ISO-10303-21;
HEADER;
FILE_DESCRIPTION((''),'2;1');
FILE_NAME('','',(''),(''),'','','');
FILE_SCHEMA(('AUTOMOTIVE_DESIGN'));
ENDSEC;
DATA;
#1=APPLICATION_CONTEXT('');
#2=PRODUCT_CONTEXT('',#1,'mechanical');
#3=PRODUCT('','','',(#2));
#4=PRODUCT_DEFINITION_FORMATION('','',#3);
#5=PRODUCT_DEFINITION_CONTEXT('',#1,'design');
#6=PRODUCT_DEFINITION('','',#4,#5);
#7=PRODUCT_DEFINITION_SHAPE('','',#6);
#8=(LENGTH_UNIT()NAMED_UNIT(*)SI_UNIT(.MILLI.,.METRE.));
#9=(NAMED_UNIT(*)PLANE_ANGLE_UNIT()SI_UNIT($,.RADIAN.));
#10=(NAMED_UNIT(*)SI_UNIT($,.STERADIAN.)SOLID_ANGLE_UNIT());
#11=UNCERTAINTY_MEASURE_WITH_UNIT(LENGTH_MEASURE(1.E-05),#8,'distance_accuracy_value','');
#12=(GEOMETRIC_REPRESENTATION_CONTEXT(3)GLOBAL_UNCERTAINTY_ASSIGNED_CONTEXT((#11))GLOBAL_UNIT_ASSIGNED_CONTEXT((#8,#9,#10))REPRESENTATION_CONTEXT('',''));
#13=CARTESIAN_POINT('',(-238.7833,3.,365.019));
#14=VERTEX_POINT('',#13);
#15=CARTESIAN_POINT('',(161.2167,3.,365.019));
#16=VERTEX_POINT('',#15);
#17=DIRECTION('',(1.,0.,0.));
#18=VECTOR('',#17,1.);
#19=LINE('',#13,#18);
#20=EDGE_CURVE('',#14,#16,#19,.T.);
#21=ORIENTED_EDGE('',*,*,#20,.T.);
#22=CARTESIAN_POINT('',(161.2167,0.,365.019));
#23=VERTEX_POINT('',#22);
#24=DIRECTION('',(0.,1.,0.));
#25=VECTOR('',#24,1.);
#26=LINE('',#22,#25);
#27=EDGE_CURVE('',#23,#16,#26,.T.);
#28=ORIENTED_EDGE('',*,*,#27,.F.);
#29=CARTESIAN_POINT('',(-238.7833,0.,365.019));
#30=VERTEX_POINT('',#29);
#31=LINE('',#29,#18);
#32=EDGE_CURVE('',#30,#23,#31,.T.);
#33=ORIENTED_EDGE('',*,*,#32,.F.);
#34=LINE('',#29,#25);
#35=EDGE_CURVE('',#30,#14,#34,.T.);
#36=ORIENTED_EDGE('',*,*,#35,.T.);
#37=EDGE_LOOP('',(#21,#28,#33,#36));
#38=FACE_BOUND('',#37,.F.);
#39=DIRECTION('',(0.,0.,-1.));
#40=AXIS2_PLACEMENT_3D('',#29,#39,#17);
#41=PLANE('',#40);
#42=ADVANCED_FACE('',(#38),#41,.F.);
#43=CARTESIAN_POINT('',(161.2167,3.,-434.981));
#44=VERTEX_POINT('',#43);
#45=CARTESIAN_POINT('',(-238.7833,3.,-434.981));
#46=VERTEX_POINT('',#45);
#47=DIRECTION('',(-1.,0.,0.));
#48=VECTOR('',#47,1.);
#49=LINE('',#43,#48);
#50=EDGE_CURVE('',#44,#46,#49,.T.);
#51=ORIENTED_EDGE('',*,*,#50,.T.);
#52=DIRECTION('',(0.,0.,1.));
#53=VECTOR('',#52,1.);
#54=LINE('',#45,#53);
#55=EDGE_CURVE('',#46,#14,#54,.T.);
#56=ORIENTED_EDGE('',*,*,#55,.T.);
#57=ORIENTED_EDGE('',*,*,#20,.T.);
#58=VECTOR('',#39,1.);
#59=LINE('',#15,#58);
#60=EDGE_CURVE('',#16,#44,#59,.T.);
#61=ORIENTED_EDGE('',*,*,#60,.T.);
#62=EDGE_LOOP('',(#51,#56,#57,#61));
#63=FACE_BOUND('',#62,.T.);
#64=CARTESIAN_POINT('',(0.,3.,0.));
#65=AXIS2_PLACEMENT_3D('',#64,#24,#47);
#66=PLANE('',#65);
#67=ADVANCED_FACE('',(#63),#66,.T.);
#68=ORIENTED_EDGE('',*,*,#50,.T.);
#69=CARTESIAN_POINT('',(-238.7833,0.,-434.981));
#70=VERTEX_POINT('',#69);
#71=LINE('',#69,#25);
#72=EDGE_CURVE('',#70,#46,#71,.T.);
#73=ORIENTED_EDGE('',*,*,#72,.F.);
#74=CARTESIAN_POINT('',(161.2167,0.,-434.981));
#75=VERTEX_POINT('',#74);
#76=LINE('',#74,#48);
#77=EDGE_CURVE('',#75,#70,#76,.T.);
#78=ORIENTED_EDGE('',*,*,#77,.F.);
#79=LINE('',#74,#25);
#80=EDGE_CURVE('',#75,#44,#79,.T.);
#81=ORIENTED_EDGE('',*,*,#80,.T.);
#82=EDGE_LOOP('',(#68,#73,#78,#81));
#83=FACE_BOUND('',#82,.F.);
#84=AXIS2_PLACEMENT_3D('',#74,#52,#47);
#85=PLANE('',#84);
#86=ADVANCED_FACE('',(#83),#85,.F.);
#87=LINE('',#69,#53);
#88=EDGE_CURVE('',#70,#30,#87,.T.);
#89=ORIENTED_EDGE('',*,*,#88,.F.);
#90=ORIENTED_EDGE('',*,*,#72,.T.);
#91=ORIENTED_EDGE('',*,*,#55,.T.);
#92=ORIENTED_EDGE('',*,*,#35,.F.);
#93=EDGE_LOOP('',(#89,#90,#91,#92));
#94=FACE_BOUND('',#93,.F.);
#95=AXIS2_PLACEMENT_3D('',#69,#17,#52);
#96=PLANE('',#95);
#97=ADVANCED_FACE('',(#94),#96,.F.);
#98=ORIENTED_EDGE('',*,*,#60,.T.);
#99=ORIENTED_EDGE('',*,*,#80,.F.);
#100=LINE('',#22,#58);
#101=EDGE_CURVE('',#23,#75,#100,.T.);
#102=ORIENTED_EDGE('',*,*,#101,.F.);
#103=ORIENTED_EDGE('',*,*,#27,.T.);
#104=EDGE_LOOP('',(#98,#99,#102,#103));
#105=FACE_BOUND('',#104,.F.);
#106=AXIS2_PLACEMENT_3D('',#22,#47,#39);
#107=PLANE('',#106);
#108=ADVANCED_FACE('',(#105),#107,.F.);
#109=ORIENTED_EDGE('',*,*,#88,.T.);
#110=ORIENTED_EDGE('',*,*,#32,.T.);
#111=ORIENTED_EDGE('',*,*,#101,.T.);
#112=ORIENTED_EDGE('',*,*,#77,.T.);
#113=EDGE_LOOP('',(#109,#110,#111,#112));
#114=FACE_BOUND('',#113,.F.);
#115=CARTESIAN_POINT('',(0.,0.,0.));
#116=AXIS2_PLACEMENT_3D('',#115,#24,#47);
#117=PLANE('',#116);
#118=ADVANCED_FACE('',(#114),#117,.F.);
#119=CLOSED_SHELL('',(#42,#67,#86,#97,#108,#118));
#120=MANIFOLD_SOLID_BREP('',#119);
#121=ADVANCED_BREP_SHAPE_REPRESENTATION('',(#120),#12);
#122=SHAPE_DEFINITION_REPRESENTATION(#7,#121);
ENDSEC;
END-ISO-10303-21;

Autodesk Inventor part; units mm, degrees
ref_plane "YZ Plane" through (0, 0, 0) normal (1, 0, 0) x (0, 1, 0)
ref_plane "XZ Plane" through (0, 0, 0) normal (0, 1, 0) x (-1, 0, 0)
ref_plane "XY Plane" through (0, 0, 0) normal (0, 0, 1) x (1, 0, 0)
sketch "Sketch2" plane through (0, 0, 0) normal (0, 1, 0) x (-1, 0, 0)
  line L0 (238.7833, 365.019) -> (-161.2167, 365.019)
  line L1 (-161.2167, 365.019) -> (-161.2167, -434.981)
  line L2 (-161.2167, -434.981) -> (238.7833, -434.981)
  line L3 (238.7833, -434.981) -> (238.7833, 365.019)
  point P0 (0, 0)
  dimension "d46" = 800
  dimension "d47" = 400
extrude "Extrusion3" add sketch "Sketch2" along normal blind 3
properties part number "TopCoverLayerNew" material "Acrylic"
